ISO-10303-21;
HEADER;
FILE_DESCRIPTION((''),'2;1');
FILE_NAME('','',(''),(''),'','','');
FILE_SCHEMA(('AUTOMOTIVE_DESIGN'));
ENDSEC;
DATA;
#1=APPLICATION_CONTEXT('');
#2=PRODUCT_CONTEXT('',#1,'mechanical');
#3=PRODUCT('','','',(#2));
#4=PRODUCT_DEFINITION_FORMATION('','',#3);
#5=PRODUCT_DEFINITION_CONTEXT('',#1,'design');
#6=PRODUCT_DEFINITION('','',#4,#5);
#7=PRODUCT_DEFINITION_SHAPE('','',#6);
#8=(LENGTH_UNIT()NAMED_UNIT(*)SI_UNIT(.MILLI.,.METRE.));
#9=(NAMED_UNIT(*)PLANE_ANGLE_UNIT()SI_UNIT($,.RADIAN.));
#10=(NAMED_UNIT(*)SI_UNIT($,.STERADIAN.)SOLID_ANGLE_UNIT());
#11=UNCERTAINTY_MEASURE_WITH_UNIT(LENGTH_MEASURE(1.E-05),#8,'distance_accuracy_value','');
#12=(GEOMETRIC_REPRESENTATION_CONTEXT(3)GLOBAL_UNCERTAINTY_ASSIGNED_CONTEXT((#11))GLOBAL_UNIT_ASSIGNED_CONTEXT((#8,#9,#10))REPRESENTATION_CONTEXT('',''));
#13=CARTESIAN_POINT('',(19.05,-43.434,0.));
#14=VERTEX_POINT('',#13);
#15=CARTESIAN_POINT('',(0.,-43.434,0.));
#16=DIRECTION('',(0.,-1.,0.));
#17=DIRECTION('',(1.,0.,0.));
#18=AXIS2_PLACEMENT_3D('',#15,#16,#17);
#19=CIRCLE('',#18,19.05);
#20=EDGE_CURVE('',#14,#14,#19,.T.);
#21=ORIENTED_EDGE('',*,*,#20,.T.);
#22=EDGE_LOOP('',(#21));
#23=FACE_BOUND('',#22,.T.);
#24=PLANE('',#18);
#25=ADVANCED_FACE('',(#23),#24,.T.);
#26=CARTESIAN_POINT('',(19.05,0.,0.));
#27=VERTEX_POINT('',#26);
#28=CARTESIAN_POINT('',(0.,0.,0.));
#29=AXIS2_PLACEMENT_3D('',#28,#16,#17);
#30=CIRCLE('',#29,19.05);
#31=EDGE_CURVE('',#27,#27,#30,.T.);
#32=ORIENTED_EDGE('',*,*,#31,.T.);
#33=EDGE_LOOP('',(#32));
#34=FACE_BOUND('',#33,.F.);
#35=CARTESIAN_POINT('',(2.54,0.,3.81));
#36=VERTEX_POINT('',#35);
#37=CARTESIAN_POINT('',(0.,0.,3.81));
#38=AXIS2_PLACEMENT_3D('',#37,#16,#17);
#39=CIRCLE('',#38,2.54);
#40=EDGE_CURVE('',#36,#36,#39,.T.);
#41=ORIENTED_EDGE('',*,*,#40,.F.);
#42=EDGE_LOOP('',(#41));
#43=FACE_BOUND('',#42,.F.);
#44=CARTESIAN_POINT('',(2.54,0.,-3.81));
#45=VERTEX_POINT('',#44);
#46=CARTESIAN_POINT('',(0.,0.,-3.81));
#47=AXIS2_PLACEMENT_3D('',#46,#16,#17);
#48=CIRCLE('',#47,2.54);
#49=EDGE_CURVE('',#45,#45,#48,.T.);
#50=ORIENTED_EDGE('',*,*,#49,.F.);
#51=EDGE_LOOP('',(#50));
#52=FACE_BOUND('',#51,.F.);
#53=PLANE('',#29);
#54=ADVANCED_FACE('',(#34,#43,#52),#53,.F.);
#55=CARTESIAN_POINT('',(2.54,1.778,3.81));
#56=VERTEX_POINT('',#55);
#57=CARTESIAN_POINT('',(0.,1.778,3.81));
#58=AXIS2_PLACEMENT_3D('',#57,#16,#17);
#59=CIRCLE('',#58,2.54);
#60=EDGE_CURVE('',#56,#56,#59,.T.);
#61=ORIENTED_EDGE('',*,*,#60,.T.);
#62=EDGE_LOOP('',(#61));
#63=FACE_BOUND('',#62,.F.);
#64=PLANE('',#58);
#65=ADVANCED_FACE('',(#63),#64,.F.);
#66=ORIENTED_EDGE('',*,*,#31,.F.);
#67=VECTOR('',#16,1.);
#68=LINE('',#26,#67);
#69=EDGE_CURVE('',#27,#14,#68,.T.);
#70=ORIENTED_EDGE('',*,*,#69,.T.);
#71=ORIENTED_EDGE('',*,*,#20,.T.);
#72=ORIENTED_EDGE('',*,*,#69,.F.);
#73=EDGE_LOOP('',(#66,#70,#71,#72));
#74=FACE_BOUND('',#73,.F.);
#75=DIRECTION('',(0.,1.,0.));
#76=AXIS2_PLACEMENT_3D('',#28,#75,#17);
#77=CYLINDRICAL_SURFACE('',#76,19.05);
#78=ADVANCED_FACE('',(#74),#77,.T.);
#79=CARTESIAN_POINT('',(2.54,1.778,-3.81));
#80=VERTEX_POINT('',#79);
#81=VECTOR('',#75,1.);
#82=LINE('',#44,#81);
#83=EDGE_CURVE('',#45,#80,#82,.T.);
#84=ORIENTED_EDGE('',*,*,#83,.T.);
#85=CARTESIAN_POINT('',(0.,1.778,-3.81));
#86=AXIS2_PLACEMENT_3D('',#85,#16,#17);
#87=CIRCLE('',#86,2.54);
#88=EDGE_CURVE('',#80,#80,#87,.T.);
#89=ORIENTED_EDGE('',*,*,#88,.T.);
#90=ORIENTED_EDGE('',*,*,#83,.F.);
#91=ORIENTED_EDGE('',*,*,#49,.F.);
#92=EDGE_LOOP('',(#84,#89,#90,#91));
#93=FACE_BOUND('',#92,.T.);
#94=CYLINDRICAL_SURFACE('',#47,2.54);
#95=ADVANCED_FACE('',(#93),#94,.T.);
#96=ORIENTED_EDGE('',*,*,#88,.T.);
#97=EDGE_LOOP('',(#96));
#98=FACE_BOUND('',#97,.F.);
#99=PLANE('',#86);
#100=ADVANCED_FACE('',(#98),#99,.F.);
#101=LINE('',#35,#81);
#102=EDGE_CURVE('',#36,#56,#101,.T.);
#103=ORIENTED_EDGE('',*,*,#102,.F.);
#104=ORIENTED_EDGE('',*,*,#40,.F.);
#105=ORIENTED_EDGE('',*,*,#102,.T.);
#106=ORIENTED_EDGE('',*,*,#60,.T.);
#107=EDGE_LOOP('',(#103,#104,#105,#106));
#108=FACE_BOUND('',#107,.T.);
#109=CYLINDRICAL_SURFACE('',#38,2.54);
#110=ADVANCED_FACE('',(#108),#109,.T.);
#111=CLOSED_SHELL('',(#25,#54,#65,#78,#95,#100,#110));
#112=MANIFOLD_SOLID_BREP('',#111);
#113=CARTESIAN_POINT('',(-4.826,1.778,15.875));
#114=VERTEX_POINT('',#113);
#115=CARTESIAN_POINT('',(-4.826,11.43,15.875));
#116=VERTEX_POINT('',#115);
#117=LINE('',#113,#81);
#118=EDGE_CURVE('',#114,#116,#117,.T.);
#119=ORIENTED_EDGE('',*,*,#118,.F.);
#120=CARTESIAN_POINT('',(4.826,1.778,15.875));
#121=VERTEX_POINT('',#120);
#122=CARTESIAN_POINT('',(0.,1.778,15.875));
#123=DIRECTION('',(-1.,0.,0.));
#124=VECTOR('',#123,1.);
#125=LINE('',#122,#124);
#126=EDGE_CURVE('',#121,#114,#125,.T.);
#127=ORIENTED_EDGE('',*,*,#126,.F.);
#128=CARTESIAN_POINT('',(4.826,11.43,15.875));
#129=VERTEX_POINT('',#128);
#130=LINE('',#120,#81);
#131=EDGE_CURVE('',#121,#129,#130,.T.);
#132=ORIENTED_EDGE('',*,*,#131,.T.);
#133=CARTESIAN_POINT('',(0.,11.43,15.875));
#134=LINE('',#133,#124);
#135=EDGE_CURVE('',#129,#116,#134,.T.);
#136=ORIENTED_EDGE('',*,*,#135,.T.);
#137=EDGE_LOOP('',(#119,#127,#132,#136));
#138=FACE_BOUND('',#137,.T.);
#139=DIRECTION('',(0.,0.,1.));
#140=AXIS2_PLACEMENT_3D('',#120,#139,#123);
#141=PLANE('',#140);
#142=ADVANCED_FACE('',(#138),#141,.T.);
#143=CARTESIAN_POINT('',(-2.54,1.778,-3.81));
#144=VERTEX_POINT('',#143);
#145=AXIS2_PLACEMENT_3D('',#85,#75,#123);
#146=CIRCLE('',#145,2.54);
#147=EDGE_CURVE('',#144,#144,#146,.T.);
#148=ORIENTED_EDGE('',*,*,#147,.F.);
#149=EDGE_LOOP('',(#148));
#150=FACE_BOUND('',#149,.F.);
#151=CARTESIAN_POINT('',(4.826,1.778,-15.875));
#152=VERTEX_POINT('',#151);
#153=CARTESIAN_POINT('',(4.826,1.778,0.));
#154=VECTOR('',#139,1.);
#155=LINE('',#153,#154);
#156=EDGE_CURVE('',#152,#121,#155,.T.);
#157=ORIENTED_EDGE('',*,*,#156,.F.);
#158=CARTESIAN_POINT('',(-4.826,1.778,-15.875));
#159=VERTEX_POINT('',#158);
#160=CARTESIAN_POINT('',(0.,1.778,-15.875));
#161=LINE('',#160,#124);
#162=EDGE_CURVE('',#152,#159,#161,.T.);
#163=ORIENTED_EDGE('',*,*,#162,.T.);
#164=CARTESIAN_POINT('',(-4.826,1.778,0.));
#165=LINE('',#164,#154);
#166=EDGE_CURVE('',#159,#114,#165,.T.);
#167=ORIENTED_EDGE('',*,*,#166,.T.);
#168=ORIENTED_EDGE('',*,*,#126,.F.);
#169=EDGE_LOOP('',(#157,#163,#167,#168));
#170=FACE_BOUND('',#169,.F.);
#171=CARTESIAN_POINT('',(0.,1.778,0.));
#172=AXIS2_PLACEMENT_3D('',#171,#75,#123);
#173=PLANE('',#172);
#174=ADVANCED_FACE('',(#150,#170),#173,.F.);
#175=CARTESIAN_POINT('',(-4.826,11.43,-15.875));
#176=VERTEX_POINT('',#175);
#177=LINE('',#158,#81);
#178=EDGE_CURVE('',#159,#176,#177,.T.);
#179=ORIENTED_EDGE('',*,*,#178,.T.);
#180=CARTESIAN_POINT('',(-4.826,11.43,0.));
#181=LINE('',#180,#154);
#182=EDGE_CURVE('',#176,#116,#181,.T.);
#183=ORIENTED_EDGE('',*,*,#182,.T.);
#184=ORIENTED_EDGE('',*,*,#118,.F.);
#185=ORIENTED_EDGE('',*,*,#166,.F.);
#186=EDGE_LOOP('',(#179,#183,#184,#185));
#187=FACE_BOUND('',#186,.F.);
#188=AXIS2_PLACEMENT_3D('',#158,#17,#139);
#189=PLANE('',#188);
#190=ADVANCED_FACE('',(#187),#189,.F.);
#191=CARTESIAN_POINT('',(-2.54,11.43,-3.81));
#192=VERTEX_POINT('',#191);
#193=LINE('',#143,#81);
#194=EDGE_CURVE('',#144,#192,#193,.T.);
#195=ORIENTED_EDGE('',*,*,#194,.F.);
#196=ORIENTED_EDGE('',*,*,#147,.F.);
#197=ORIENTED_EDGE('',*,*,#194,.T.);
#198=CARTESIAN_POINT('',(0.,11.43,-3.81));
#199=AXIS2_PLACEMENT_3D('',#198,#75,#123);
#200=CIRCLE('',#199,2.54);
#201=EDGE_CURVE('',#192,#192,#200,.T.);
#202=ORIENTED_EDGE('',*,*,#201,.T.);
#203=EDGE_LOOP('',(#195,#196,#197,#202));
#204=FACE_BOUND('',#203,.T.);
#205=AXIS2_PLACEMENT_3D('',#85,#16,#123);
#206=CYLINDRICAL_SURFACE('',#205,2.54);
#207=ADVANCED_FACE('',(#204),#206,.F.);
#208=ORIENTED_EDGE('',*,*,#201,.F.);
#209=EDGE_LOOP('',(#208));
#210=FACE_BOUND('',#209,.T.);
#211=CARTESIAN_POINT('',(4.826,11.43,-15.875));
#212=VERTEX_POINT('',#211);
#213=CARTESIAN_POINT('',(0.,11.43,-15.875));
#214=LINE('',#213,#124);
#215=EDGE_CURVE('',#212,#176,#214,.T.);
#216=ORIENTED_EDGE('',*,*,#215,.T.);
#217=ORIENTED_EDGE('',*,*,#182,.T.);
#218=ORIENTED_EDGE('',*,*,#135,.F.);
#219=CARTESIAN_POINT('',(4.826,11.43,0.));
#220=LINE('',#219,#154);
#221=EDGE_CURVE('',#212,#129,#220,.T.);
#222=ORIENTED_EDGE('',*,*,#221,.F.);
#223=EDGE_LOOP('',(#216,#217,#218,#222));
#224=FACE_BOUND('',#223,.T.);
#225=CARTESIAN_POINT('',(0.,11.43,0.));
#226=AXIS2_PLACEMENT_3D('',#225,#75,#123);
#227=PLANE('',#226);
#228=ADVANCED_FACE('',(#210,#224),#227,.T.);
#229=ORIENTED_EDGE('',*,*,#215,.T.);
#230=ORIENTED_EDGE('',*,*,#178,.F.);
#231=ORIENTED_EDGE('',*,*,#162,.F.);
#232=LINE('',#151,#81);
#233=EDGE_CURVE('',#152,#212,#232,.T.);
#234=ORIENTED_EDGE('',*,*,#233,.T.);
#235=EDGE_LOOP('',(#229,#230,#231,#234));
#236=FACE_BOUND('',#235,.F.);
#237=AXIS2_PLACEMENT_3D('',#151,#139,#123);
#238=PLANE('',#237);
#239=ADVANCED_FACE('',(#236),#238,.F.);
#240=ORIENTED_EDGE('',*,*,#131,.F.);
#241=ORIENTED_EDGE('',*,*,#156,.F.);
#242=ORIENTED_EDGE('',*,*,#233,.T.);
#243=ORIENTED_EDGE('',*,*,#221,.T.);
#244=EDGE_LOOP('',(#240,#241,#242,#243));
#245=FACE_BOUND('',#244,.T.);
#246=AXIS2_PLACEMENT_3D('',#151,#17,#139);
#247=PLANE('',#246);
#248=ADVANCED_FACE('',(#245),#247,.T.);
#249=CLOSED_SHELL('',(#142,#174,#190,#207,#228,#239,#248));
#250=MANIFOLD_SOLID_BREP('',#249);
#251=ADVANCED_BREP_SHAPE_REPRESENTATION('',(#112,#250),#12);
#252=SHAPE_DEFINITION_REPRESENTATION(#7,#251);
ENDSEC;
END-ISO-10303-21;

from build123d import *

# Parameters (mm, degrees)
F0_R     = 19.05
F1_DEPTH = 43.434
F2_R     = 2.54
F3_DEPTH = 1.778
F4_W     = 9.652
F4_H     = 31.75
F4_R     = 2.54
F5_DEPTH = 9.652


with BuildPart() as f1:
    # F0 (on Front) → F1 (new body)
    with BuildSketch(Plane.XZ):
        Circle(F0_R)
    extrude(amount=F1_DEPTH)

    # F2 (on Front) → F3 (join)
    with BuildSketch(Plane.XZ):
        with Locations((0, -3.81)):
            Circle(F2_R)
        with Locations((0, 3.81)):
            Circle(F2_R)
    extrude(amount=-F3_DEPTH)


with BuildPart() as f5:
    # F4 (on face) → F5 (new body)
    with BuildSketch(Plane(origin=(0, 1.778, 0), x_dir=(-1, 0, 0), z_dir=(0, 1, 0))):
        Rectangle(F4_W, F4_H)
        with Locations((0, -3.81)):
            Circle(F4_R, mode=Mode.SUBTRACT)
    extrude(amount=F5_DEPTH)


solid = Compound([f1.part, f5.part])
